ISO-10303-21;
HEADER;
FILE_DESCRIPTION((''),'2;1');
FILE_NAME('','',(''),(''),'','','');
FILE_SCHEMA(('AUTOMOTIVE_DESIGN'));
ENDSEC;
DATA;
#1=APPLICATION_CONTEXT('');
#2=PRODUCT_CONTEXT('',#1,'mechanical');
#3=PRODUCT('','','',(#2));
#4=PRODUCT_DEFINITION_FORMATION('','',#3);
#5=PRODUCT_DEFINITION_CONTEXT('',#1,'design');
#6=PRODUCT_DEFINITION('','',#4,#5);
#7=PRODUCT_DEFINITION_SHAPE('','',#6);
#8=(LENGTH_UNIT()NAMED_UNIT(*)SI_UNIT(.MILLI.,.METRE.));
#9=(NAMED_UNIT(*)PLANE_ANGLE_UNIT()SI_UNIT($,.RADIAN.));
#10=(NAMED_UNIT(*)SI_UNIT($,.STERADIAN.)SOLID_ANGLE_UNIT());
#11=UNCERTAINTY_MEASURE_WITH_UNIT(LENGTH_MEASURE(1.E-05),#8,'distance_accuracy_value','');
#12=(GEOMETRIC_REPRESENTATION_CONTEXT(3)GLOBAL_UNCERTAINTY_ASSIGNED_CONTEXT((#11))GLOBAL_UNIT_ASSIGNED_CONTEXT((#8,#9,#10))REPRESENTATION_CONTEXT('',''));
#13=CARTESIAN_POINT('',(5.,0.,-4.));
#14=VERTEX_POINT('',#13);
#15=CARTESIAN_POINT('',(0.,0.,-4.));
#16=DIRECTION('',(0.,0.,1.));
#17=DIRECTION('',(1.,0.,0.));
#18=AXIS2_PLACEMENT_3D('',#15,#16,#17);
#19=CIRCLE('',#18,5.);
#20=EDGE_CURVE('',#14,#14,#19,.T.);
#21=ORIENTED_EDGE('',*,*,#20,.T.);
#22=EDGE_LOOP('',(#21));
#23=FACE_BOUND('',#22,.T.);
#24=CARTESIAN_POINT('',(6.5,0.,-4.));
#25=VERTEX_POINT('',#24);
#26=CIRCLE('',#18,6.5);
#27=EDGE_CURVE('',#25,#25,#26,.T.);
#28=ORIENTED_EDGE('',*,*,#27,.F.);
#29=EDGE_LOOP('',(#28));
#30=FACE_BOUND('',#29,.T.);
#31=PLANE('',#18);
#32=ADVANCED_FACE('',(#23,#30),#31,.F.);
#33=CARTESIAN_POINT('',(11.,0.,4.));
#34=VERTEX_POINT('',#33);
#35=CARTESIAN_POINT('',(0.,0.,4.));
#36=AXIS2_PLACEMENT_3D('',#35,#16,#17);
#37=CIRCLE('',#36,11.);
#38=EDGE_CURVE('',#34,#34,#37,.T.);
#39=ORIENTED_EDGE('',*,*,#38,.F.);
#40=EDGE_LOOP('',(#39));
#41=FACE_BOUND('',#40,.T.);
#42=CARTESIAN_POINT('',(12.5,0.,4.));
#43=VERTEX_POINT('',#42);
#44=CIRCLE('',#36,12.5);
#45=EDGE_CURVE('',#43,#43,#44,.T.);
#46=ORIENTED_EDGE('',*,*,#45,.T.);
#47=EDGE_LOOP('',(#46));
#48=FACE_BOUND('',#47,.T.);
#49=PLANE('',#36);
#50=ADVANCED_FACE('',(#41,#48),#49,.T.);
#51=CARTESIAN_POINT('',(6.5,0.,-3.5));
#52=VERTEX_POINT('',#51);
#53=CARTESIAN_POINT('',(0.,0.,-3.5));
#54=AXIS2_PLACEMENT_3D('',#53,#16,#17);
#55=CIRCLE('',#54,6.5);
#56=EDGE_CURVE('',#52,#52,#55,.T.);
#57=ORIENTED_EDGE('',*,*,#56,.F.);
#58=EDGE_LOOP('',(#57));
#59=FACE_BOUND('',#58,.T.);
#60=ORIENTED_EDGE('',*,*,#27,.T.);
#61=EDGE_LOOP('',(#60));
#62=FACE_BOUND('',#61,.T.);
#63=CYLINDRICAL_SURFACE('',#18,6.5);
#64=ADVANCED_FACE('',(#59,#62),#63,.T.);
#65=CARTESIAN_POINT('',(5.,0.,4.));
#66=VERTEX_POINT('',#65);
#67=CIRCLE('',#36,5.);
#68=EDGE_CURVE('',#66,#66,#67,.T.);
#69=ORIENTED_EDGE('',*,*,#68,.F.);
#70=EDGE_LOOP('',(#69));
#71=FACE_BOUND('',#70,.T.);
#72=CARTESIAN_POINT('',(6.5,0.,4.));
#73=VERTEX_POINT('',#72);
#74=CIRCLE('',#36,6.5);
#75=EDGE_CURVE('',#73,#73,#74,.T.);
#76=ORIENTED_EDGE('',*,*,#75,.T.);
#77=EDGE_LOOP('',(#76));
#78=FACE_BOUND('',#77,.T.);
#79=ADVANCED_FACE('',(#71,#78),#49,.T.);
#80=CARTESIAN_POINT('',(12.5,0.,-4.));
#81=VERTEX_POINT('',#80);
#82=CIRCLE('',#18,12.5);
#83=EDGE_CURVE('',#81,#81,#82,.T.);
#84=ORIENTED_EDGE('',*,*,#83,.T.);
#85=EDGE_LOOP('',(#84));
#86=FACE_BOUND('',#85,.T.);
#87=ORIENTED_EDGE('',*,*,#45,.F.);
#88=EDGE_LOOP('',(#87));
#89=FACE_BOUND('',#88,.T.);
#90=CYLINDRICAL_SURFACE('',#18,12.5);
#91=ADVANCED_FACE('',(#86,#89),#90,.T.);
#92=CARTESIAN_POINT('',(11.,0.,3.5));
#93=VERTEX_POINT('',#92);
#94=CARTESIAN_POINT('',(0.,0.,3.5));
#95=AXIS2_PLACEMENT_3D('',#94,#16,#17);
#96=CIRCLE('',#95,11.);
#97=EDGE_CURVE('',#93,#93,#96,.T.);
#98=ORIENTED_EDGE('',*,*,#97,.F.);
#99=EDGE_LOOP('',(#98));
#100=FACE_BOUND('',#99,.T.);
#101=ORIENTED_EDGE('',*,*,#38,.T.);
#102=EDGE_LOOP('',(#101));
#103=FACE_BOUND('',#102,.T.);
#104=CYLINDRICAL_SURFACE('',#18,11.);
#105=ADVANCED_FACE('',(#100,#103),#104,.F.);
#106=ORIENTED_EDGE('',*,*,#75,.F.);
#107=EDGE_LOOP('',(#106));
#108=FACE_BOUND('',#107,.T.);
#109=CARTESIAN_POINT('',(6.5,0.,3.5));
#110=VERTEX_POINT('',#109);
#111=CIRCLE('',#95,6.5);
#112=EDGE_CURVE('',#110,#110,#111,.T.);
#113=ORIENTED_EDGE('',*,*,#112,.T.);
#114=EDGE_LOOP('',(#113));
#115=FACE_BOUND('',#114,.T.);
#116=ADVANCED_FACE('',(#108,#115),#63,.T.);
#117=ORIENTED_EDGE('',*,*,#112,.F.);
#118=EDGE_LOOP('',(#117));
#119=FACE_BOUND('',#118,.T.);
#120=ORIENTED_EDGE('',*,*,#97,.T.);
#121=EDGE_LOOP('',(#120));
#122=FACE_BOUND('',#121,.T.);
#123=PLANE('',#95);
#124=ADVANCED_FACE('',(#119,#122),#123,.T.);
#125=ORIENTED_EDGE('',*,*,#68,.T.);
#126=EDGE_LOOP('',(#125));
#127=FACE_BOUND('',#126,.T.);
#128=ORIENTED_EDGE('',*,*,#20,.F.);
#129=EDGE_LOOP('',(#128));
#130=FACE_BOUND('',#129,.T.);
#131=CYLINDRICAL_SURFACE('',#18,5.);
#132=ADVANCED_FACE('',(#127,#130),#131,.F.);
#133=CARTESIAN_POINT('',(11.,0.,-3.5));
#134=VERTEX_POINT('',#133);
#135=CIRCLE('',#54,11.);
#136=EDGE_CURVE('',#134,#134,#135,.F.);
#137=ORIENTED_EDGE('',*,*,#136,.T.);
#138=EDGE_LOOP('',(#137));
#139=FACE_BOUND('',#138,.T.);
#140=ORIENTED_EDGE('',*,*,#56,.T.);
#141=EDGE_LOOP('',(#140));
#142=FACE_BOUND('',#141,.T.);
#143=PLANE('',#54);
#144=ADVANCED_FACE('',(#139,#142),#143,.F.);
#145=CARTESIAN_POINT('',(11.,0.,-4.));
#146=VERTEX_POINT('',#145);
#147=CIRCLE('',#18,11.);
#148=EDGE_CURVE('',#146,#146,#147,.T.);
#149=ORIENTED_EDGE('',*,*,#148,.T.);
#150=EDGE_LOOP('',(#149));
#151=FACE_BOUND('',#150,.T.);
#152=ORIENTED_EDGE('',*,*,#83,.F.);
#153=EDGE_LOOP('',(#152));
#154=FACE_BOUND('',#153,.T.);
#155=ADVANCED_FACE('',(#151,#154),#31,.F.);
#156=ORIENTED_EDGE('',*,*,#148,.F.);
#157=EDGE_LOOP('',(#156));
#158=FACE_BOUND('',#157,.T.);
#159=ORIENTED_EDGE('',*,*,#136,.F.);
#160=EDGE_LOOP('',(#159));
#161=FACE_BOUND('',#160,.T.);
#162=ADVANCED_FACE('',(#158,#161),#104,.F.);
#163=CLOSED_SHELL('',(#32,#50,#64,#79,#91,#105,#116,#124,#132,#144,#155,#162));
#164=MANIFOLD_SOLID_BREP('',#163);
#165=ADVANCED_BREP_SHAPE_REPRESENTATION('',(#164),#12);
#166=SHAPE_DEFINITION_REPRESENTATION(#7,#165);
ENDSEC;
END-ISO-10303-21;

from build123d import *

# Parameters (mm, degrees)
SALIENTE_EXTRUIR1_DEPTH        = 4
SALIENTE_EXTRUIR1_DEPTH_BACK   = 4
CROQUIS1_R                     = 12.5
CROQUIS1_R_2                   = 11
SALIENTE_EXTRUIR1_2_DEPTH      = 4
SALIENTE_EXTRUIR1_2_DEPTH_BACK = 4
CROQUIS1_R_3                   = 6.5
CROQUIS1_R_4                   = 5
SALIENTE_EXTRUIR2_DEPTH        = 3.5
SALIENTE_EXTRUIR2_DEPTH_BACK   = 3.5
CROQUIS1_4_R                   = 11
CROQUIS1_4_R_2                 = 6.5


with BuildPart() as part:
    # Croquis1 → Saliente-Extruir1 (new, two sides: drawn at the far end of the back side and taken through both)
    with BuildSketch(Plane.XY.offset(-SALIENTE_EXTRUIR1_DEPTH_BACK)):
        Circle(CROQUIS1_R)
        Circle(CROQUIS1_R_2, mode=Mode.SUBTRACT)
    extrude(amount=SALIENTE_EXTRUIR1_DEPTH + SALIENTE_EXTRUIR1_DEPTH_BACK)



with BuildPart() as body_2:
    # Croquis1 → Saliente-Extruir1 2 (new, two sides: drawn at the far end of the back side and taken through both)
    with BuildSketch(Plane.XY.offset(-SALIENTE_EXTRUIR1_2_DEPTH_BACK)):
        Circle(CROQUIS1_R_3)
        Circle(CROQUIS1_R_4, mode=Mode.SUBTRACT)
    extrude(amount=SALIENTE_EXTRUIR1_2_DEPTH + SALIENTE_EXTRUIR1_2_DEPTH_BACK)


with BuildPart() as part_1:
    add(part.part)

    add(body_2.part)  # Saliente-Extruir2 merges body 2
    # Croquis1<4> → Saliente-Extruir2 (add, two sides: drawn at the far end of the back side and taken through both)
    with BuildSketch(Plane.XY.offset(-SALIENTE_EXTRUIR2_DEPTH_BACK)):
        Circle(CROQUIS1_4_R)
        Circle(CROQUIS1_4_R_2, mode=Mode.SUBTRACT)
    extrude(amount=SALIENTE_EXTRUIR2_DEPTH + SALIENTE_EXTRUIR2_DEPTH_BACK)


solid = part_1.part
